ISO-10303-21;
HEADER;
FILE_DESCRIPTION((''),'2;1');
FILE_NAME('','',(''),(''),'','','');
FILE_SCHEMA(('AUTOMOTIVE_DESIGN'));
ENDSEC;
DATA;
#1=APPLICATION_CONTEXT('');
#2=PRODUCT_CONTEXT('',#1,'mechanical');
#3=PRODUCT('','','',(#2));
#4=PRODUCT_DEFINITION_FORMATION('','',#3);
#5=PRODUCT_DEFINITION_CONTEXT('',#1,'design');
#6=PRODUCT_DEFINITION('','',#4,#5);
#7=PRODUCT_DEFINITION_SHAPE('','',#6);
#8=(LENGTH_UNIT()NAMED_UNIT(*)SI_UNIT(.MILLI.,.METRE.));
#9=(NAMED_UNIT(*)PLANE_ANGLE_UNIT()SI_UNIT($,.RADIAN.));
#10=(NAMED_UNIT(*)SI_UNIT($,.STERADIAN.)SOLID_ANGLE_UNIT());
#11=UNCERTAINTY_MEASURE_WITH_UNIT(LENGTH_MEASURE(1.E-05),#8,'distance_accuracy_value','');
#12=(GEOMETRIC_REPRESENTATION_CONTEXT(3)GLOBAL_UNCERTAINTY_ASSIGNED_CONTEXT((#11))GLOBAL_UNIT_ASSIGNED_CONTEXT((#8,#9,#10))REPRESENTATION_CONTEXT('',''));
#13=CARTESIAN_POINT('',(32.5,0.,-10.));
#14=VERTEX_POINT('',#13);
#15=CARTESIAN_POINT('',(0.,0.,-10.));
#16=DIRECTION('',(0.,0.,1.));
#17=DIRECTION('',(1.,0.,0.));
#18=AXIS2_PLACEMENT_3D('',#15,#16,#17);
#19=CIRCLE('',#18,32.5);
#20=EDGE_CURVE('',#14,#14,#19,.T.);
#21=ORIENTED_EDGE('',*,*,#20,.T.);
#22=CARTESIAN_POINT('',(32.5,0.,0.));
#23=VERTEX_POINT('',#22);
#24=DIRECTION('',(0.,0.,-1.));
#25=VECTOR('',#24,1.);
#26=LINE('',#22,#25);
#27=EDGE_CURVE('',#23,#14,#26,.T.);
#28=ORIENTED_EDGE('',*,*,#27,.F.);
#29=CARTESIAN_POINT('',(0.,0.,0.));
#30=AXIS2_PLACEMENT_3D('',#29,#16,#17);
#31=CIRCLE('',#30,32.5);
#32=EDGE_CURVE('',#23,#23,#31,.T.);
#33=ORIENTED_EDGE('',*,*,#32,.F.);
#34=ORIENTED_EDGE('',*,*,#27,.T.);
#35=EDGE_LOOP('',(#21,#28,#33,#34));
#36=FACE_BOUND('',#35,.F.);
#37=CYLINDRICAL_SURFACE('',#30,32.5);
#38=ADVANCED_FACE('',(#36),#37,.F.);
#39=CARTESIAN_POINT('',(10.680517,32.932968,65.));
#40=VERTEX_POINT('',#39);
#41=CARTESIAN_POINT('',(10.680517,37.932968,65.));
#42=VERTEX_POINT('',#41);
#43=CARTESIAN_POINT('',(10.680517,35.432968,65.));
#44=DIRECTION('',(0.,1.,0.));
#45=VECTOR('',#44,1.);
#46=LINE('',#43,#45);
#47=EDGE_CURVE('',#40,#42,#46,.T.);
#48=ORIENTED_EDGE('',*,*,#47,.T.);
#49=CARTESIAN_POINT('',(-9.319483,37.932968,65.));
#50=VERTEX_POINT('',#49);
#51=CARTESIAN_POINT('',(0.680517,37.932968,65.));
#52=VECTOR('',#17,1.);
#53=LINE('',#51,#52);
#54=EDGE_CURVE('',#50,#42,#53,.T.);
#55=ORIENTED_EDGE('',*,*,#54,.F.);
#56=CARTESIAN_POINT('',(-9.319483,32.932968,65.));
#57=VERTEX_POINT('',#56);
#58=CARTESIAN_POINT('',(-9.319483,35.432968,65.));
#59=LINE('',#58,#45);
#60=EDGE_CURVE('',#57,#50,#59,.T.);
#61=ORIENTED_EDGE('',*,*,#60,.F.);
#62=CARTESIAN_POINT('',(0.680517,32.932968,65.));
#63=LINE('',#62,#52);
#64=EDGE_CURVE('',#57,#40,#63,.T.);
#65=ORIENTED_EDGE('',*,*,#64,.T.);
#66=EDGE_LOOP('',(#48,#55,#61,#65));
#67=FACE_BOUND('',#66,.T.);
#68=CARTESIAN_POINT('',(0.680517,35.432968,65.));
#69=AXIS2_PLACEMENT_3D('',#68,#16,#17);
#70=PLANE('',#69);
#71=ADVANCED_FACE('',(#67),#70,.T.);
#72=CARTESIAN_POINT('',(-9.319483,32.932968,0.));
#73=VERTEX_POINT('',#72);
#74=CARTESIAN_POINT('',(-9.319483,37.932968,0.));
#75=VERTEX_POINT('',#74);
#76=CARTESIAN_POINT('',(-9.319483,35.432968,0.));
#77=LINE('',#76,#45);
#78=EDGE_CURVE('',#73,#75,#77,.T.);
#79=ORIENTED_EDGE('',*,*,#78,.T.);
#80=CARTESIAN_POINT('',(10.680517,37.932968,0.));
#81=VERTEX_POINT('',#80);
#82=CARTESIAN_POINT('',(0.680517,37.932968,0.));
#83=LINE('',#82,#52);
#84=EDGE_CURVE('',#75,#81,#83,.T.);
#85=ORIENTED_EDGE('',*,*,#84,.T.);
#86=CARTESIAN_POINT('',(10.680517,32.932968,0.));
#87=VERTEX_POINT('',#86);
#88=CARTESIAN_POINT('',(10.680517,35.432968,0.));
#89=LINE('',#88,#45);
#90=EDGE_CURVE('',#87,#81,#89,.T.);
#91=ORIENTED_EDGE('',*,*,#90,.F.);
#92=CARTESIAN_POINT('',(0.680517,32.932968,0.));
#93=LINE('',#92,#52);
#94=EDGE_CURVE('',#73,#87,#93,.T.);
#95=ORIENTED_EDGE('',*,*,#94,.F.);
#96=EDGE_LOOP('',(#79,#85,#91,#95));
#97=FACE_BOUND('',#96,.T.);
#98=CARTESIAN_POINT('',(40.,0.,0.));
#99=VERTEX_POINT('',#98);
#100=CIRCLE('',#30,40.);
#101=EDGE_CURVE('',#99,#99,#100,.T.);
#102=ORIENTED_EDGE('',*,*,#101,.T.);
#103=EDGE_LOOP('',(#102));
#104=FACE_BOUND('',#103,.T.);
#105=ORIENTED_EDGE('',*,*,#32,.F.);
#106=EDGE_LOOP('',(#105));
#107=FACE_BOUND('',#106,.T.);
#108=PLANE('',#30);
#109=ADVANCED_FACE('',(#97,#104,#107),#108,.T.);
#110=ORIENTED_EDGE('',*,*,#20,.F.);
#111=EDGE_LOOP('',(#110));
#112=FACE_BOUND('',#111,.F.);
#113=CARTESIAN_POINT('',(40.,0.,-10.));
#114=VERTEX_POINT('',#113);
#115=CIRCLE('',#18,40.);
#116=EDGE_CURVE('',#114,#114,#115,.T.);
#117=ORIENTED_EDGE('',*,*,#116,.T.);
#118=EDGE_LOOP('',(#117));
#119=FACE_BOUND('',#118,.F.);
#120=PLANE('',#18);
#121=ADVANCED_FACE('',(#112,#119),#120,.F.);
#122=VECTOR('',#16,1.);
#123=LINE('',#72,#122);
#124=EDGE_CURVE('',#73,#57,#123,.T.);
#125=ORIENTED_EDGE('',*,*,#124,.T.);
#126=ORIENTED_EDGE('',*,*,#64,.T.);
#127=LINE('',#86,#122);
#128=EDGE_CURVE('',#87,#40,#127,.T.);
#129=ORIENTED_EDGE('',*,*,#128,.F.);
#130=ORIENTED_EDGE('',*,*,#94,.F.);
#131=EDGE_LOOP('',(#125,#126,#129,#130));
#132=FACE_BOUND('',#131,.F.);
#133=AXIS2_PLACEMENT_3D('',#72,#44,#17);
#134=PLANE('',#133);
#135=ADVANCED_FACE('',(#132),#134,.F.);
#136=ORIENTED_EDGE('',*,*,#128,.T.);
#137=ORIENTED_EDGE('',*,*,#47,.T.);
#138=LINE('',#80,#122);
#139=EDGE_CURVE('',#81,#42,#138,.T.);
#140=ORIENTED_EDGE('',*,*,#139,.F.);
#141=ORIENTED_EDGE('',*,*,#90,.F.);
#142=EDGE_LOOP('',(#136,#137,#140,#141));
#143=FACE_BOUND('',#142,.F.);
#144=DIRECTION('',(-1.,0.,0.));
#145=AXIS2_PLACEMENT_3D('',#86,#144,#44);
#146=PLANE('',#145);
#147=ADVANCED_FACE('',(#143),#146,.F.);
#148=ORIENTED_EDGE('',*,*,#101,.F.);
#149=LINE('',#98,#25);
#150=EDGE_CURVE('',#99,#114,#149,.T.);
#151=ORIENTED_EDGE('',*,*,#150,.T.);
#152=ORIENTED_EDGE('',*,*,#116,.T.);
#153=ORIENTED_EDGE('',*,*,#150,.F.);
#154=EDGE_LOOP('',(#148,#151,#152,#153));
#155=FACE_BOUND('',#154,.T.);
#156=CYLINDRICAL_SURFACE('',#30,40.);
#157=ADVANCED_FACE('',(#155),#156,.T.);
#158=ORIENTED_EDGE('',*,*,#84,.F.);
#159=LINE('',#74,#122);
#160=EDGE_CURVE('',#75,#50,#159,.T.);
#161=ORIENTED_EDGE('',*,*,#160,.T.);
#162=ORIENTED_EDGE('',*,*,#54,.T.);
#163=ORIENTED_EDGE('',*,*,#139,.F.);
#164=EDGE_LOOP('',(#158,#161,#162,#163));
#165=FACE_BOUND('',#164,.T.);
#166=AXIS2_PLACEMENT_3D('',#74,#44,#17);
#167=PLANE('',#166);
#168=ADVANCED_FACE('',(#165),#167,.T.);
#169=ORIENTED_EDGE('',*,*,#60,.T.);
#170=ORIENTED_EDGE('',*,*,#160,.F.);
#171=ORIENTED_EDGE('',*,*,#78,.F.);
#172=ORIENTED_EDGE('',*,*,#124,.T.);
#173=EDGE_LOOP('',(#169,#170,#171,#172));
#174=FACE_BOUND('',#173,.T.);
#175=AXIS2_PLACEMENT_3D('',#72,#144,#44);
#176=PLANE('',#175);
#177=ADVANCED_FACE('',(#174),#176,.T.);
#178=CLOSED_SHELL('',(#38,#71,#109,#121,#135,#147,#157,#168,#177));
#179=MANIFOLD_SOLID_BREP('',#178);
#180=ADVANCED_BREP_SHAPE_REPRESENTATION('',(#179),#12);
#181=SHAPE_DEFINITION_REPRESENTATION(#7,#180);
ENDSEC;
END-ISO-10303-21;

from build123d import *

# Parameters (mm, degrees)
F0_R     = 40
F0_R_2   = 32.5
F1_DEPTH = 10
F2_W     = 20
F2_H     = 5
F3_DEPTH = 65


with BuildPart() as f1:
    # F0 (on Top) → F1 (new body)
    with BuildSketch(Plane.XY):
        Circle(F0_R)
        Circle(F0_R_2, mode=Mode.SUBTRACT)
    extrude(amount=-F1_DEPTH)

    # F2 (on Top) → F3 (join)
    with BuildSketch(Plane.XY):
        with Locations((0.680517, 35.432968)):
            Rectangle(F2_W, F2_H)
    extrude(amount=F3_DEPTH)


solid = f1.part
